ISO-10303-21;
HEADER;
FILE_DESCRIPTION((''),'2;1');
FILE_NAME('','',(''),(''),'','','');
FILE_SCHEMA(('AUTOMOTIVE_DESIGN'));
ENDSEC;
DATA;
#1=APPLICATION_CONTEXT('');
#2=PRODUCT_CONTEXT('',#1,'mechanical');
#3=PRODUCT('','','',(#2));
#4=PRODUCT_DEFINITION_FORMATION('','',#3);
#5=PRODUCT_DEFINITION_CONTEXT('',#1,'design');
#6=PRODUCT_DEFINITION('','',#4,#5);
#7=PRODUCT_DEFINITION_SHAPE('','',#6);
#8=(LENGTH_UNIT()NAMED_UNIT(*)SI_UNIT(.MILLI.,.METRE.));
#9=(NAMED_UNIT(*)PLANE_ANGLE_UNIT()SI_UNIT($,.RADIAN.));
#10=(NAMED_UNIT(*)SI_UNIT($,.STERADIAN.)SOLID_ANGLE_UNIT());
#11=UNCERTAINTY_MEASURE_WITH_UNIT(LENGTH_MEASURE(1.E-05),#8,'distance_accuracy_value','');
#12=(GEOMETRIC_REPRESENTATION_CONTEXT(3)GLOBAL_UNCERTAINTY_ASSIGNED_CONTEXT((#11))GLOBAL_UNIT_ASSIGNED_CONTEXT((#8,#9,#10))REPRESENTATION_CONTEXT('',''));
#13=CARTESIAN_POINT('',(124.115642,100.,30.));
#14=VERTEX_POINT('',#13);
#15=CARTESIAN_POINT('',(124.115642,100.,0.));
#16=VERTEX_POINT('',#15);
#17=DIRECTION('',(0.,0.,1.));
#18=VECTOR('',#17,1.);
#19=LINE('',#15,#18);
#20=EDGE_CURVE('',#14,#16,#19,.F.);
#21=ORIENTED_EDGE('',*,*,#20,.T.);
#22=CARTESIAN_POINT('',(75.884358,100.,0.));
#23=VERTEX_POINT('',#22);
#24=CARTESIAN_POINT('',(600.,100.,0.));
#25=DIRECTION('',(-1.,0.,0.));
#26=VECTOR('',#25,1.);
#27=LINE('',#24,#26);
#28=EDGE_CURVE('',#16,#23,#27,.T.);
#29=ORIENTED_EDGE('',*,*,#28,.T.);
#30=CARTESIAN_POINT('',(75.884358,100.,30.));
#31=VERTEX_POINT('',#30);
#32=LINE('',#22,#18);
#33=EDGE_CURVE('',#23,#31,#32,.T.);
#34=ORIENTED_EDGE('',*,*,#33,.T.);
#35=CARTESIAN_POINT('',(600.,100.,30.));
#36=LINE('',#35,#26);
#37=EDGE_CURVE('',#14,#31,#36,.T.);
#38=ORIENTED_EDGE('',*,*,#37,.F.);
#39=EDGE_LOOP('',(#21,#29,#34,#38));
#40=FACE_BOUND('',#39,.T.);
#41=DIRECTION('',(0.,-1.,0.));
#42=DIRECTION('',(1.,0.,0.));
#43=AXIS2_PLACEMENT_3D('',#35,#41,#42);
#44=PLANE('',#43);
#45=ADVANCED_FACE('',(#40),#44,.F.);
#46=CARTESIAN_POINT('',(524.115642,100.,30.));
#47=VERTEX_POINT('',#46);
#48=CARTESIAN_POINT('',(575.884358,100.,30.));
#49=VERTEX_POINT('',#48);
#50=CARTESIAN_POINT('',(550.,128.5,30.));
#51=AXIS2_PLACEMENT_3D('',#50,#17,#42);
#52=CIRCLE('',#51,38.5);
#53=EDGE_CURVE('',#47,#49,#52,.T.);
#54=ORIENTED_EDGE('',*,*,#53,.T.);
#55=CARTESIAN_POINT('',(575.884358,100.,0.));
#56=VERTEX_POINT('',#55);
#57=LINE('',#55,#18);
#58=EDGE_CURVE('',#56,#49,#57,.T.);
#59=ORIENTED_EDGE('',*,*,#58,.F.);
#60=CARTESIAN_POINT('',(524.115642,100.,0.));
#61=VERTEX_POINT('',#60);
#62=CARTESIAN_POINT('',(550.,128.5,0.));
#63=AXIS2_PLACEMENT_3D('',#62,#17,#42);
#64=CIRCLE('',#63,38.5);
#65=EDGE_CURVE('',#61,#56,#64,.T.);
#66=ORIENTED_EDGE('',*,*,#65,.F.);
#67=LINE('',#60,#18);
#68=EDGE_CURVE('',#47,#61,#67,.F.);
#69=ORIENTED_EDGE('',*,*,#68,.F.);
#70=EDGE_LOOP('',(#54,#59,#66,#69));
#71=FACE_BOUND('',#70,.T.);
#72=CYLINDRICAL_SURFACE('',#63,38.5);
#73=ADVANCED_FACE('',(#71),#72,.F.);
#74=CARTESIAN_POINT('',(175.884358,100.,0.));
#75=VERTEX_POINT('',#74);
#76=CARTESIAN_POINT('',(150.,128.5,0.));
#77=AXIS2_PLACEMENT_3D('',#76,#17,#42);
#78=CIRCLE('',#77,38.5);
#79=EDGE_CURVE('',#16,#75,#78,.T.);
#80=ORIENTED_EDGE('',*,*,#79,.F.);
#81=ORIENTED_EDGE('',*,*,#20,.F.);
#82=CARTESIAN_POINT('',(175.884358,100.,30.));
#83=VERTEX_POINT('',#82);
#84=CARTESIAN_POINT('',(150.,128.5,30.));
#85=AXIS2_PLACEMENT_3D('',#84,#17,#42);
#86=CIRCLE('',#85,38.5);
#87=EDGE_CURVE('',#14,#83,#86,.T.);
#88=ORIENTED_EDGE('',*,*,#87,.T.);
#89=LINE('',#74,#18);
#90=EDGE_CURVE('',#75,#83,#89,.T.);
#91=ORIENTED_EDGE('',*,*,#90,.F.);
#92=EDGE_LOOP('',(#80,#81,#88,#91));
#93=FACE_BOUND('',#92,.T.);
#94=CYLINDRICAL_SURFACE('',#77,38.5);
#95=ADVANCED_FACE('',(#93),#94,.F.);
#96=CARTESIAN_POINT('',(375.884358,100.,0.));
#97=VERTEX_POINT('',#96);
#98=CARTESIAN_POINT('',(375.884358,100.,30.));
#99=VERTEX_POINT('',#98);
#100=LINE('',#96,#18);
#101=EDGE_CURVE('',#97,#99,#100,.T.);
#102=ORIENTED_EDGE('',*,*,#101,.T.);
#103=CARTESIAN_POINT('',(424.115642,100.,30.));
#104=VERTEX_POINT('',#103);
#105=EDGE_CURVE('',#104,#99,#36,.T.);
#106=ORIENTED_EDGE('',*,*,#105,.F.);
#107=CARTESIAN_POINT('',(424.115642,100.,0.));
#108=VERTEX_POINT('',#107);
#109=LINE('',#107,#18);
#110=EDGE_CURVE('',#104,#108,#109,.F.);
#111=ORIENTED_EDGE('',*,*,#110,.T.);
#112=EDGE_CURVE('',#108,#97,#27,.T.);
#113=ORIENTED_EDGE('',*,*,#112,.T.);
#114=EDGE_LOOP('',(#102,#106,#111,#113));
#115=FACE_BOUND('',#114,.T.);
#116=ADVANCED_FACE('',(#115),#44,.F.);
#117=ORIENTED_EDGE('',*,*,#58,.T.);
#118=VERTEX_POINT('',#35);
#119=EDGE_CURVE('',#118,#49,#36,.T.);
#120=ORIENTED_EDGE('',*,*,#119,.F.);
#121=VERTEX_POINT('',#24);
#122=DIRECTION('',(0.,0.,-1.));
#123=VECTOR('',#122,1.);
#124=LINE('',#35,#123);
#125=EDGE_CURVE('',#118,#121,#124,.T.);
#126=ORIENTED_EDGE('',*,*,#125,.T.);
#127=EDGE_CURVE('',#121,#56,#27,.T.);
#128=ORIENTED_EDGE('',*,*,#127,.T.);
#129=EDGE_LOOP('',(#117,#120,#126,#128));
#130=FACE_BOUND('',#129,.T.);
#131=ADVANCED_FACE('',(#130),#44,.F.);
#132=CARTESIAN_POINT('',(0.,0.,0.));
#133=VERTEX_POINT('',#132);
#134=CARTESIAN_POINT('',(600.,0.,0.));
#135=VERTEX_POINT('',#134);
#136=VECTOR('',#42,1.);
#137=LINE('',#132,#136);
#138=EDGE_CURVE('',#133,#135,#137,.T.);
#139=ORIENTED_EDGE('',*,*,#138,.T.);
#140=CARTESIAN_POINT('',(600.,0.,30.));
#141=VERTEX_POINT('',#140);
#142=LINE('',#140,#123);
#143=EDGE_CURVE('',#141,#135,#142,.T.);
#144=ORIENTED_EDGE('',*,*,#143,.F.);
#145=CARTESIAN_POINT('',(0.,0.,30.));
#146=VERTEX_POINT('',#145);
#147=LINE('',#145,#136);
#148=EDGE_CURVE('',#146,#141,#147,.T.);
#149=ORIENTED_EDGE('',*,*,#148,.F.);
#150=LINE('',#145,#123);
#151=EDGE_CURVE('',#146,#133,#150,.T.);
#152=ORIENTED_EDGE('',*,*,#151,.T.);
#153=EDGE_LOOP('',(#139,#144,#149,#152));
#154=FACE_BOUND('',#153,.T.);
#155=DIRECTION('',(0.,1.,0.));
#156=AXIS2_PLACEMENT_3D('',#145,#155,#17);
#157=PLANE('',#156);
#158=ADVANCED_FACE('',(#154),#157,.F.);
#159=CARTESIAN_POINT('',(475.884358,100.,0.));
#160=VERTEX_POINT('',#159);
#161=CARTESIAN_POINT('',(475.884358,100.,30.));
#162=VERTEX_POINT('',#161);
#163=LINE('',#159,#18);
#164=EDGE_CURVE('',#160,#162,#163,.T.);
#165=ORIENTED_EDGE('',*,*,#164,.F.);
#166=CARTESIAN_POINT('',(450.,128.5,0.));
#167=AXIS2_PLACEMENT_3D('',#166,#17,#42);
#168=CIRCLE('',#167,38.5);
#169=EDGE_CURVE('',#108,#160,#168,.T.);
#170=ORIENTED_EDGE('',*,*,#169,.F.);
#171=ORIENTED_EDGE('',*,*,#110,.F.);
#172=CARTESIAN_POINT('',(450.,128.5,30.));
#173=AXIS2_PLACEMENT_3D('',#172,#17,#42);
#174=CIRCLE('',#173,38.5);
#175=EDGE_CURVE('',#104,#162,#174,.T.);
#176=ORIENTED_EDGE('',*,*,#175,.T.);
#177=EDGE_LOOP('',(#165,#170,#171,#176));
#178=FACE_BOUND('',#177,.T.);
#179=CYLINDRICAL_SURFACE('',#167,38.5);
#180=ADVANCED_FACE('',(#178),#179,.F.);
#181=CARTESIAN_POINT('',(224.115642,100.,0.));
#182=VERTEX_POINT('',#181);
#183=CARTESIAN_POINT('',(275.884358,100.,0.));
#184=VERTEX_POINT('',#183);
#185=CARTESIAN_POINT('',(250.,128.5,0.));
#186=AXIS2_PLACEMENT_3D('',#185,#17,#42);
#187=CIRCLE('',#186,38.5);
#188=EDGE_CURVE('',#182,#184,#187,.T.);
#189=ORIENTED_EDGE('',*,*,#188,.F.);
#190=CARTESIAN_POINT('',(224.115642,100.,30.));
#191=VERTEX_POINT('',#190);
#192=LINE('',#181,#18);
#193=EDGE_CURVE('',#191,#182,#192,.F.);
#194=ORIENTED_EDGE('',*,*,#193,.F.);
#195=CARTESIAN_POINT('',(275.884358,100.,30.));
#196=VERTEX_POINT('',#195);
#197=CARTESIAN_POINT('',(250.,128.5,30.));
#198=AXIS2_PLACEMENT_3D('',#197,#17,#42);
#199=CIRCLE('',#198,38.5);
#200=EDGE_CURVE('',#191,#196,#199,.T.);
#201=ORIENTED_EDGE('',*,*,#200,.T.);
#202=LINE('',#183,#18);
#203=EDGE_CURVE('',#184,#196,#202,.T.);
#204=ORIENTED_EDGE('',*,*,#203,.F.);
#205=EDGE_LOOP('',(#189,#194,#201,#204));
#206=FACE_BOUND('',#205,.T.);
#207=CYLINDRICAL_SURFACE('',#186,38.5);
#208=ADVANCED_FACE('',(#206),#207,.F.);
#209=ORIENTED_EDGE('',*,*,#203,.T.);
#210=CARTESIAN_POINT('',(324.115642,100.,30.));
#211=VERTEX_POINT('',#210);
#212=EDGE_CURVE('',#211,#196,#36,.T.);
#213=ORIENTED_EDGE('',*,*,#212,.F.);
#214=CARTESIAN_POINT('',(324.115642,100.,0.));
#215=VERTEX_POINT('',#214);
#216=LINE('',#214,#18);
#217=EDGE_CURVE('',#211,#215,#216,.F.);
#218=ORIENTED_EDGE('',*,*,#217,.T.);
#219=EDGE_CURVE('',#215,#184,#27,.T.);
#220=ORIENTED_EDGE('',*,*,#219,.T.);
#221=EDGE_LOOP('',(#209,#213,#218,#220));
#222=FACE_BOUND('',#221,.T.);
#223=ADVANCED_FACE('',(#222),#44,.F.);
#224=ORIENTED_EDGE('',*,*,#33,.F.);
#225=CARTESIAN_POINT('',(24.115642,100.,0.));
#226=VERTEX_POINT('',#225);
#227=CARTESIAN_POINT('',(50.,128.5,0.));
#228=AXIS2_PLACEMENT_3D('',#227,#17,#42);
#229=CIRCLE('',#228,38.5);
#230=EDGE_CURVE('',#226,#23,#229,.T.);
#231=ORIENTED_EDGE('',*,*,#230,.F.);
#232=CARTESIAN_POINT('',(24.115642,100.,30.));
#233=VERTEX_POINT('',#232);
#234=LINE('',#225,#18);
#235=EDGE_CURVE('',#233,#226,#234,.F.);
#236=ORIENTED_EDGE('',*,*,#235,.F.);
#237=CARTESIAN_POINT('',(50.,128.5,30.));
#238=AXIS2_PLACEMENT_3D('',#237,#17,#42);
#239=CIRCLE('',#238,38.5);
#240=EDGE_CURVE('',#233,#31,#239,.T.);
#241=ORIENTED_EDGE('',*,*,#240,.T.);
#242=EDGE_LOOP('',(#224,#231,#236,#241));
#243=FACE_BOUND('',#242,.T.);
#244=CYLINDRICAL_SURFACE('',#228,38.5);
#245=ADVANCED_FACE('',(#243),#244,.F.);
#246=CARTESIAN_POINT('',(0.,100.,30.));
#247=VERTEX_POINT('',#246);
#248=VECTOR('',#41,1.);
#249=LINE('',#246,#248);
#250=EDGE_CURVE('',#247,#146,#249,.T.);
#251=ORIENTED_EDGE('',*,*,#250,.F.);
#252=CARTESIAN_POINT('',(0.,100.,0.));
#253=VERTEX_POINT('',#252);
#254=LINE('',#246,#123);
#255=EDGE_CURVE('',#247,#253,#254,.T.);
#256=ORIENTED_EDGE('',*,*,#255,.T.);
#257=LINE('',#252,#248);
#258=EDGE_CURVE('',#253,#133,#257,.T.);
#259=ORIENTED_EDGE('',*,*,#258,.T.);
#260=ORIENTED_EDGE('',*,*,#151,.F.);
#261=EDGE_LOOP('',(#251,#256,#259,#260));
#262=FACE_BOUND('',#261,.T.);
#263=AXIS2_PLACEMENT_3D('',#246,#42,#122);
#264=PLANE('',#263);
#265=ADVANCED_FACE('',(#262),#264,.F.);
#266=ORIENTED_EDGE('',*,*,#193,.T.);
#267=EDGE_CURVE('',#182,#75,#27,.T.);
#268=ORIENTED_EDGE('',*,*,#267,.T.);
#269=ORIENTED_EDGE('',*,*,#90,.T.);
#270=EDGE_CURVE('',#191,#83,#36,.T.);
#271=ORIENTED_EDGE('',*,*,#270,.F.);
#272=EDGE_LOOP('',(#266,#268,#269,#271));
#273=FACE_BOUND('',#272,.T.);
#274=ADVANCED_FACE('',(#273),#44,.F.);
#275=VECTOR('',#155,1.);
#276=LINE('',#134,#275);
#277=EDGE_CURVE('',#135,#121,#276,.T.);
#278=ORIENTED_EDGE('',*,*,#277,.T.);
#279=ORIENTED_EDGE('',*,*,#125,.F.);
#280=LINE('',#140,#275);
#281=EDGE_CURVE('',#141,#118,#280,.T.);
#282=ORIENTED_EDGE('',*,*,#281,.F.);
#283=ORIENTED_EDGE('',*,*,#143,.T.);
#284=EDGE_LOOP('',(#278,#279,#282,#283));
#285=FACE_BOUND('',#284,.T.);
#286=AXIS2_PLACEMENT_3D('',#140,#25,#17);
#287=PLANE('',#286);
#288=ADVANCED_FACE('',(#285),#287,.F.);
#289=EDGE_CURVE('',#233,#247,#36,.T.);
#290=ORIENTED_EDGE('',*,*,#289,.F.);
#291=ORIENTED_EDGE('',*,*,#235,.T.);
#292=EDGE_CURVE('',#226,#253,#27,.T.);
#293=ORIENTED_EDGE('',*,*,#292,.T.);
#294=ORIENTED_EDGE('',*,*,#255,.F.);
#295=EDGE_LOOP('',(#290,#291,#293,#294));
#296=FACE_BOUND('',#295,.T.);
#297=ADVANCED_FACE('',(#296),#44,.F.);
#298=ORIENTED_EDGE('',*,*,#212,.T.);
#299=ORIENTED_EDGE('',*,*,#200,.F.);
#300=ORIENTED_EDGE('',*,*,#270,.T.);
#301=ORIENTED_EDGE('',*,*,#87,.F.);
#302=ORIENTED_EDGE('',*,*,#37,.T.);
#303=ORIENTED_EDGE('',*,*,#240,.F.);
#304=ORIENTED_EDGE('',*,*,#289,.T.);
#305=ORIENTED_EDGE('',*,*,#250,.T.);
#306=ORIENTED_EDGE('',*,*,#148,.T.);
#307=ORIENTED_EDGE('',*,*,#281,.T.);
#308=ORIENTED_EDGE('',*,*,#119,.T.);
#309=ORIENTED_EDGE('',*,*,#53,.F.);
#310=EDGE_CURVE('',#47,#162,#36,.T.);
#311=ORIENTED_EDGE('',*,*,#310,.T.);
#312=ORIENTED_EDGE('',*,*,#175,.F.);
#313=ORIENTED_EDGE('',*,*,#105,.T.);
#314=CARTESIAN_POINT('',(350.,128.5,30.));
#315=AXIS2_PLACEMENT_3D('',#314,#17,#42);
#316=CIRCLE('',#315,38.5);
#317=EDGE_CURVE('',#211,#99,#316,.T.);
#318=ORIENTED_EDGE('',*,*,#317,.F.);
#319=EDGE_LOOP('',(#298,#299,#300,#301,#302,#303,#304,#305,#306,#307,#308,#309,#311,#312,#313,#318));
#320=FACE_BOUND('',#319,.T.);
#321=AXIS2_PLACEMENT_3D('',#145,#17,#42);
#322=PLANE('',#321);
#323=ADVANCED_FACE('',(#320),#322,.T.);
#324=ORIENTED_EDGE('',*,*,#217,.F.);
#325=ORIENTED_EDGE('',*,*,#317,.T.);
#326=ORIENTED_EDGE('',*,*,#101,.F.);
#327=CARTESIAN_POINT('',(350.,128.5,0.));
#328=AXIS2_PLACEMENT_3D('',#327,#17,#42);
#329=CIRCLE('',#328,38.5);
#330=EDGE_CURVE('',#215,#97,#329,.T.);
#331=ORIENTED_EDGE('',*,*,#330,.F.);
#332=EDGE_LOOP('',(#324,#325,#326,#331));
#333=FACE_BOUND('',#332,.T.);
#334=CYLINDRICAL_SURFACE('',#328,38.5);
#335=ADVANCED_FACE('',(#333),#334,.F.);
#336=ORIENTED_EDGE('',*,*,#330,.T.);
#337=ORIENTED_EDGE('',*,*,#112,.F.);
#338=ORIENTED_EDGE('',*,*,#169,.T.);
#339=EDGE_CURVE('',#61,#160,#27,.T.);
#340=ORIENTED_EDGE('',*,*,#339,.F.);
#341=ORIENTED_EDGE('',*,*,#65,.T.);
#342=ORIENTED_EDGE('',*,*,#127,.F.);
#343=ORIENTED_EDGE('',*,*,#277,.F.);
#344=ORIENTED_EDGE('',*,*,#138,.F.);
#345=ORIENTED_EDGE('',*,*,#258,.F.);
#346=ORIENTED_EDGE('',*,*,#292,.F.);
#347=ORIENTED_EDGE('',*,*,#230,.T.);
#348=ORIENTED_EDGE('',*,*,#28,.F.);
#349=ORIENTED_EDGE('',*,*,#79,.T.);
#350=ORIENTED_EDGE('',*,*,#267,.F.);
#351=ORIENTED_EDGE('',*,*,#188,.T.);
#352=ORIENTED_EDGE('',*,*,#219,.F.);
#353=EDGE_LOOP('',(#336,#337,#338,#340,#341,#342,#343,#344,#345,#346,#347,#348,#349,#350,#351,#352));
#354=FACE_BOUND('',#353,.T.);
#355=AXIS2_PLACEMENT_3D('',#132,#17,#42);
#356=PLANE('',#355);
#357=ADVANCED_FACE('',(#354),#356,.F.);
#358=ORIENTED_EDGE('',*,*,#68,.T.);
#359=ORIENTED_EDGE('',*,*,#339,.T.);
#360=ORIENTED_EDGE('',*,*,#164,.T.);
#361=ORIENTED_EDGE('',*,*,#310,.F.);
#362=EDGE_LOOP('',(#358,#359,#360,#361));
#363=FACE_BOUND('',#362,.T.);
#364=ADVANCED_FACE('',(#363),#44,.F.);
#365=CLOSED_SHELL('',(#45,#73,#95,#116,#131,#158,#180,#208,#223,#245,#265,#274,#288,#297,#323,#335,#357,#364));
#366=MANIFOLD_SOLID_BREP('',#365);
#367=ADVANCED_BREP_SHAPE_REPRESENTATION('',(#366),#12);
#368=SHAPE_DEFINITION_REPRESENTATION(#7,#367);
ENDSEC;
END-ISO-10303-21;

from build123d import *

# Parameters (mm, degrees)
ESQUISSE1_W                  = 600
ESQUISSE1_H                  = 100
BOSS_EXTRU_1_DEPTH           = 30
ENL_V_MAT_EXTRU_1_DEPTH      = 610.015599143
ENL_V_MAT_EXTRU_1_DEPTH_BACK = 610.015599143
ESQUISSE2_R                  = 38.5


with BuildPart() as part:
    # Esquisse1 → Boss.-Extru.1 (new body)
    with BuildSketch(Plane.XY):
        with Locations((300, 50)):
            Rectangle(ESQUISSE1_W, ESQUISSE1_H)
    extrude(amount=BOSS_EXTRU_1_DEPTH)

    # Esquisse2 → Enlèv. mat.-Extru.1 (cut, two sides: drawn at the far end of the back side and taken through both)
    with BuildSketch(Plane.XY.offset(30).offset(-ENL_V_MAT_EXTRU_1_DEPTH_BACK)):
        with Locations((50, 128.5)):
            Circle(ESQUISSE2_R)
        with Locations((150, 128.5)):
            Circle(ESQUISSE2_R)
        with Locations((250, 128.5)):
            Circle(ESQUISSE2_R)
        with Locations((350, 128.5)):
            Circle(ESQUISSE2_R)
        with Locations((450, 128.5)):
            Circle(ESQUISSE2_R)
        with Locations((550, 128.5)):
            Circle(ESQUISSE2_R)
    extrude(amount=ENL_V_MAT_EXTRU_1_DEPTH + ENL_V_MAT_EXTRU_1_DEPTH_BACK, mode=Mode.SUBTRACT)


solid = part.part
